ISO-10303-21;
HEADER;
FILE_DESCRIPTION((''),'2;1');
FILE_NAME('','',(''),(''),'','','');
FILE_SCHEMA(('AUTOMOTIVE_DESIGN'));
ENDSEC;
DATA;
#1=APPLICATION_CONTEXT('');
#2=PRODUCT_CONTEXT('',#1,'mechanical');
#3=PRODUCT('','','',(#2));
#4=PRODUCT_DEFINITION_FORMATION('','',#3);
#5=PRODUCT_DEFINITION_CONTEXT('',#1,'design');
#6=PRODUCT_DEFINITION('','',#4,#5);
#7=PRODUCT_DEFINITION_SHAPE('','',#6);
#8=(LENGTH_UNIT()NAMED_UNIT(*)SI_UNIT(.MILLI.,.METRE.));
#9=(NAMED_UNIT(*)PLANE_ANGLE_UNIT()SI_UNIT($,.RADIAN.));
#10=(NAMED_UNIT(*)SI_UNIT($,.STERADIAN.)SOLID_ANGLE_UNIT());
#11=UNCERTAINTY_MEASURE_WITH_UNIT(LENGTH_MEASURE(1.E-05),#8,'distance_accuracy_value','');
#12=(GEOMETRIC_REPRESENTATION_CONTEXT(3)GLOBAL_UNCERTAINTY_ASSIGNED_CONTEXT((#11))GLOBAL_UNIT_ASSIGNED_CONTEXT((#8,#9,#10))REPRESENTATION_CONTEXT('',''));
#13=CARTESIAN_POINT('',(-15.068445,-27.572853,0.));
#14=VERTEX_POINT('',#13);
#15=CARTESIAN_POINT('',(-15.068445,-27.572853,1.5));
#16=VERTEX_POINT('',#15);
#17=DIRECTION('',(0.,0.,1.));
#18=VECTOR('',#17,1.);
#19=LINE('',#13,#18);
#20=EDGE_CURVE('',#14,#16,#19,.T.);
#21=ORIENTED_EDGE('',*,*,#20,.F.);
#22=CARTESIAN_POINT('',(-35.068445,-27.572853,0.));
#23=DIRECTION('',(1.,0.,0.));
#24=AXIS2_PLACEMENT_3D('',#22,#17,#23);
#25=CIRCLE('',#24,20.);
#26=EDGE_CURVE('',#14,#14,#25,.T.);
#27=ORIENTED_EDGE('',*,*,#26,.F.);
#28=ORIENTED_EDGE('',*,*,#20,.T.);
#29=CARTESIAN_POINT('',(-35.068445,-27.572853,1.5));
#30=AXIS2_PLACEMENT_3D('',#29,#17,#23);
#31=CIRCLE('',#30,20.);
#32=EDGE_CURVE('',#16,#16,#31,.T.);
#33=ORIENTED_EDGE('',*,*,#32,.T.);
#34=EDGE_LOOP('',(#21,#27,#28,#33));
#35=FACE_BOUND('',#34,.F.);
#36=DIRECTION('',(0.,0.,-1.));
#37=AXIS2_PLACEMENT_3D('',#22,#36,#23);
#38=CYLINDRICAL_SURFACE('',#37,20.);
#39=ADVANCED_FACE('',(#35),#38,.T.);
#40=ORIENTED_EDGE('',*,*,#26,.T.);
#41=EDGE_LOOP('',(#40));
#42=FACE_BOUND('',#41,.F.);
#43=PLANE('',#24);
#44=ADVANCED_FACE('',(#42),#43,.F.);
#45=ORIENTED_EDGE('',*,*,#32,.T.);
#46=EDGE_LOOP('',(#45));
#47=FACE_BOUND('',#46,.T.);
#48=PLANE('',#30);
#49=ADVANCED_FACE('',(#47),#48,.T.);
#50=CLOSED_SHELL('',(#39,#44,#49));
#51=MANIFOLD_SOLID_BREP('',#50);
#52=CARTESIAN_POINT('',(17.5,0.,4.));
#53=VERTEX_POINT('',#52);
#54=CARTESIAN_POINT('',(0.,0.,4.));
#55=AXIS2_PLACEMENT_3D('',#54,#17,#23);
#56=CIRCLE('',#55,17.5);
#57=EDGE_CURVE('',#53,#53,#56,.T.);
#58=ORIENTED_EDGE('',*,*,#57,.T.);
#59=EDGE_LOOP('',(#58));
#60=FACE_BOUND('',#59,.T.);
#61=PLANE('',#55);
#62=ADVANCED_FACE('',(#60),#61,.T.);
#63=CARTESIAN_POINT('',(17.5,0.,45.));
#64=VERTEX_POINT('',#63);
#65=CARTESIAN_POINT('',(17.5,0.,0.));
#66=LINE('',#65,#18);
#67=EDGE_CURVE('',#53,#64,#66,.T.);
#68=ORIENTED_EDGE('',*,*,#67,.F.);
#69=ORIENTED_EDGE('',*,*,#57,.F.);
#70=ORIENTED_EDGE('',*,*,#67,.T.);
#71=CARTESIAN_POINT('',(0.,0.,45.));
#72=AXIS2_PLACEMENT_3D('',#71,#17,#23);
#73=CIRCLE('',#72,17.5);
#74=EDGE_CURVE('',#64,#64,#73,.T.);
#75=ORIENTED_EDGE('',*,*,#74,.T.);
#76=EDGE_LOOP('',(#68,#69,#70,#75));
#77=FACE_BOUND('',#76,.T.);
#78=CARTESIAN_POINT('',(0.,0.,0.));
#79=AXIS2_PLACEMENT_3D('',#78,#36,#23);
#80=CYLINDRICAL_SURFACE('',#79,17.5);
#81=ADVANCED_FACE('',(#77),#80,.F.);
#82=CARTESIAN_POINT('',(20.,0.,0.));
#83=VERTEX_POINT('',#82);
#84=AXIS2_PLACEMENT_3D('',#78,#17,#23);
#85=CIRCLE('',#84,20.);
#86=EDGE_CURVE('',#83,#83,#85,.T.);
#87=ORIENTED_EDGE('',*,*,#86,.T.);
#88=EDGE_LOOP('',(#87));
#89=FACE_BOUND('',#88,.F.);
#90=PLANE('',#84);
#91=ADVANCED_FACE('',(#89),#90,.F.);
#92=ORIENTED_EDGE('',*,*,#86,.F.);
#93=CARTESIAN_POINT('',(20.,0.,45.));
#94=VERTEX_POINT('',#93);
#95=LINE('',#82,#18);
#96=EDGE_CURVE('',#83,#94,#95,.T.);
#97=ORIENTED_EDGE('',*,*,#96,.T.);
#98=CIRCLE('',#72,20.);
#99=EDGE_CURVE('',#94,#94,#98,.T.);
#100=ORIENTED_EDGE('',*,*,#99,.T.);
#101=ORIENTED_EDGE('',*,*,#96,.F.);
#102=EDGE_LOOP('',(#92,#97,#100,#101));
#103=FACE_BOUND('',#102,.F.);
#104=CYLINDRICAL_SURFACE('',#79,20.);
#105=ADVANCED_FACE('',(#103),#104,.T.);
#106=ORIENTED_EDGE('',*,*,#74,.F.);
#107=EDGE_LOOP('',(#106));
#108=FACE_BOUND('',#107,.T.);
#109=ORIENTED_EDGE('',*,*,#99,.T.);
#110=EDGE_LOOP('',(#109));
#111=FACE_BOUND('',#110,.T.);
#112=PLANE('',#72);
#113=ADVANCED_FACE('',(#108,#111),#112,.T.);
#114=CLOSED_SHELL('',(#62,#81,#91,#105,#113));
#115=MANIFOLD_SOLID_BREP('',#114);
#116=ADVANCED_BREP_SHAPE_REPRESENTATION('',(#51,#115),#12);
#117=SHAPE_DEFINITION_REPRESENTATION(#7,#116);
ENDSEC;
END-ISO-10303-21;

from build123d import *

# Parameters (mm, degrees)
F0_R     = 20
F1_DEPTH = 1.5
F0_R_2   = 17.5
F2_DEPTH = 4
F3_DEPTH = 45


with BuildPart() as f1:
    # F0 (on Top) → F1 (new body)
    with BuildSketch(Plane.XY):
        with Locations((-35.068445, -27.572853)):
            Circle(F0_R)
    extrude(amount=F1_DEPTH)


with BuildPart() as f2:
    # F0 (on Top) → F2 (new body)
    with BuildSketch(Plane.XY):
        Circle(F0_R_2)
    extrude(amount=F2_DEPTH)

    # F0 (on Top) → F3 (join)
    with BuildSketch(Plane.XY):
        Circle(F0_R)
        Circle(F0_R_2, mode=Mode.SUBTRACT)
    extrude(amount=F3_DEPTH)


solid = Compound([f1.part, f2.part])
